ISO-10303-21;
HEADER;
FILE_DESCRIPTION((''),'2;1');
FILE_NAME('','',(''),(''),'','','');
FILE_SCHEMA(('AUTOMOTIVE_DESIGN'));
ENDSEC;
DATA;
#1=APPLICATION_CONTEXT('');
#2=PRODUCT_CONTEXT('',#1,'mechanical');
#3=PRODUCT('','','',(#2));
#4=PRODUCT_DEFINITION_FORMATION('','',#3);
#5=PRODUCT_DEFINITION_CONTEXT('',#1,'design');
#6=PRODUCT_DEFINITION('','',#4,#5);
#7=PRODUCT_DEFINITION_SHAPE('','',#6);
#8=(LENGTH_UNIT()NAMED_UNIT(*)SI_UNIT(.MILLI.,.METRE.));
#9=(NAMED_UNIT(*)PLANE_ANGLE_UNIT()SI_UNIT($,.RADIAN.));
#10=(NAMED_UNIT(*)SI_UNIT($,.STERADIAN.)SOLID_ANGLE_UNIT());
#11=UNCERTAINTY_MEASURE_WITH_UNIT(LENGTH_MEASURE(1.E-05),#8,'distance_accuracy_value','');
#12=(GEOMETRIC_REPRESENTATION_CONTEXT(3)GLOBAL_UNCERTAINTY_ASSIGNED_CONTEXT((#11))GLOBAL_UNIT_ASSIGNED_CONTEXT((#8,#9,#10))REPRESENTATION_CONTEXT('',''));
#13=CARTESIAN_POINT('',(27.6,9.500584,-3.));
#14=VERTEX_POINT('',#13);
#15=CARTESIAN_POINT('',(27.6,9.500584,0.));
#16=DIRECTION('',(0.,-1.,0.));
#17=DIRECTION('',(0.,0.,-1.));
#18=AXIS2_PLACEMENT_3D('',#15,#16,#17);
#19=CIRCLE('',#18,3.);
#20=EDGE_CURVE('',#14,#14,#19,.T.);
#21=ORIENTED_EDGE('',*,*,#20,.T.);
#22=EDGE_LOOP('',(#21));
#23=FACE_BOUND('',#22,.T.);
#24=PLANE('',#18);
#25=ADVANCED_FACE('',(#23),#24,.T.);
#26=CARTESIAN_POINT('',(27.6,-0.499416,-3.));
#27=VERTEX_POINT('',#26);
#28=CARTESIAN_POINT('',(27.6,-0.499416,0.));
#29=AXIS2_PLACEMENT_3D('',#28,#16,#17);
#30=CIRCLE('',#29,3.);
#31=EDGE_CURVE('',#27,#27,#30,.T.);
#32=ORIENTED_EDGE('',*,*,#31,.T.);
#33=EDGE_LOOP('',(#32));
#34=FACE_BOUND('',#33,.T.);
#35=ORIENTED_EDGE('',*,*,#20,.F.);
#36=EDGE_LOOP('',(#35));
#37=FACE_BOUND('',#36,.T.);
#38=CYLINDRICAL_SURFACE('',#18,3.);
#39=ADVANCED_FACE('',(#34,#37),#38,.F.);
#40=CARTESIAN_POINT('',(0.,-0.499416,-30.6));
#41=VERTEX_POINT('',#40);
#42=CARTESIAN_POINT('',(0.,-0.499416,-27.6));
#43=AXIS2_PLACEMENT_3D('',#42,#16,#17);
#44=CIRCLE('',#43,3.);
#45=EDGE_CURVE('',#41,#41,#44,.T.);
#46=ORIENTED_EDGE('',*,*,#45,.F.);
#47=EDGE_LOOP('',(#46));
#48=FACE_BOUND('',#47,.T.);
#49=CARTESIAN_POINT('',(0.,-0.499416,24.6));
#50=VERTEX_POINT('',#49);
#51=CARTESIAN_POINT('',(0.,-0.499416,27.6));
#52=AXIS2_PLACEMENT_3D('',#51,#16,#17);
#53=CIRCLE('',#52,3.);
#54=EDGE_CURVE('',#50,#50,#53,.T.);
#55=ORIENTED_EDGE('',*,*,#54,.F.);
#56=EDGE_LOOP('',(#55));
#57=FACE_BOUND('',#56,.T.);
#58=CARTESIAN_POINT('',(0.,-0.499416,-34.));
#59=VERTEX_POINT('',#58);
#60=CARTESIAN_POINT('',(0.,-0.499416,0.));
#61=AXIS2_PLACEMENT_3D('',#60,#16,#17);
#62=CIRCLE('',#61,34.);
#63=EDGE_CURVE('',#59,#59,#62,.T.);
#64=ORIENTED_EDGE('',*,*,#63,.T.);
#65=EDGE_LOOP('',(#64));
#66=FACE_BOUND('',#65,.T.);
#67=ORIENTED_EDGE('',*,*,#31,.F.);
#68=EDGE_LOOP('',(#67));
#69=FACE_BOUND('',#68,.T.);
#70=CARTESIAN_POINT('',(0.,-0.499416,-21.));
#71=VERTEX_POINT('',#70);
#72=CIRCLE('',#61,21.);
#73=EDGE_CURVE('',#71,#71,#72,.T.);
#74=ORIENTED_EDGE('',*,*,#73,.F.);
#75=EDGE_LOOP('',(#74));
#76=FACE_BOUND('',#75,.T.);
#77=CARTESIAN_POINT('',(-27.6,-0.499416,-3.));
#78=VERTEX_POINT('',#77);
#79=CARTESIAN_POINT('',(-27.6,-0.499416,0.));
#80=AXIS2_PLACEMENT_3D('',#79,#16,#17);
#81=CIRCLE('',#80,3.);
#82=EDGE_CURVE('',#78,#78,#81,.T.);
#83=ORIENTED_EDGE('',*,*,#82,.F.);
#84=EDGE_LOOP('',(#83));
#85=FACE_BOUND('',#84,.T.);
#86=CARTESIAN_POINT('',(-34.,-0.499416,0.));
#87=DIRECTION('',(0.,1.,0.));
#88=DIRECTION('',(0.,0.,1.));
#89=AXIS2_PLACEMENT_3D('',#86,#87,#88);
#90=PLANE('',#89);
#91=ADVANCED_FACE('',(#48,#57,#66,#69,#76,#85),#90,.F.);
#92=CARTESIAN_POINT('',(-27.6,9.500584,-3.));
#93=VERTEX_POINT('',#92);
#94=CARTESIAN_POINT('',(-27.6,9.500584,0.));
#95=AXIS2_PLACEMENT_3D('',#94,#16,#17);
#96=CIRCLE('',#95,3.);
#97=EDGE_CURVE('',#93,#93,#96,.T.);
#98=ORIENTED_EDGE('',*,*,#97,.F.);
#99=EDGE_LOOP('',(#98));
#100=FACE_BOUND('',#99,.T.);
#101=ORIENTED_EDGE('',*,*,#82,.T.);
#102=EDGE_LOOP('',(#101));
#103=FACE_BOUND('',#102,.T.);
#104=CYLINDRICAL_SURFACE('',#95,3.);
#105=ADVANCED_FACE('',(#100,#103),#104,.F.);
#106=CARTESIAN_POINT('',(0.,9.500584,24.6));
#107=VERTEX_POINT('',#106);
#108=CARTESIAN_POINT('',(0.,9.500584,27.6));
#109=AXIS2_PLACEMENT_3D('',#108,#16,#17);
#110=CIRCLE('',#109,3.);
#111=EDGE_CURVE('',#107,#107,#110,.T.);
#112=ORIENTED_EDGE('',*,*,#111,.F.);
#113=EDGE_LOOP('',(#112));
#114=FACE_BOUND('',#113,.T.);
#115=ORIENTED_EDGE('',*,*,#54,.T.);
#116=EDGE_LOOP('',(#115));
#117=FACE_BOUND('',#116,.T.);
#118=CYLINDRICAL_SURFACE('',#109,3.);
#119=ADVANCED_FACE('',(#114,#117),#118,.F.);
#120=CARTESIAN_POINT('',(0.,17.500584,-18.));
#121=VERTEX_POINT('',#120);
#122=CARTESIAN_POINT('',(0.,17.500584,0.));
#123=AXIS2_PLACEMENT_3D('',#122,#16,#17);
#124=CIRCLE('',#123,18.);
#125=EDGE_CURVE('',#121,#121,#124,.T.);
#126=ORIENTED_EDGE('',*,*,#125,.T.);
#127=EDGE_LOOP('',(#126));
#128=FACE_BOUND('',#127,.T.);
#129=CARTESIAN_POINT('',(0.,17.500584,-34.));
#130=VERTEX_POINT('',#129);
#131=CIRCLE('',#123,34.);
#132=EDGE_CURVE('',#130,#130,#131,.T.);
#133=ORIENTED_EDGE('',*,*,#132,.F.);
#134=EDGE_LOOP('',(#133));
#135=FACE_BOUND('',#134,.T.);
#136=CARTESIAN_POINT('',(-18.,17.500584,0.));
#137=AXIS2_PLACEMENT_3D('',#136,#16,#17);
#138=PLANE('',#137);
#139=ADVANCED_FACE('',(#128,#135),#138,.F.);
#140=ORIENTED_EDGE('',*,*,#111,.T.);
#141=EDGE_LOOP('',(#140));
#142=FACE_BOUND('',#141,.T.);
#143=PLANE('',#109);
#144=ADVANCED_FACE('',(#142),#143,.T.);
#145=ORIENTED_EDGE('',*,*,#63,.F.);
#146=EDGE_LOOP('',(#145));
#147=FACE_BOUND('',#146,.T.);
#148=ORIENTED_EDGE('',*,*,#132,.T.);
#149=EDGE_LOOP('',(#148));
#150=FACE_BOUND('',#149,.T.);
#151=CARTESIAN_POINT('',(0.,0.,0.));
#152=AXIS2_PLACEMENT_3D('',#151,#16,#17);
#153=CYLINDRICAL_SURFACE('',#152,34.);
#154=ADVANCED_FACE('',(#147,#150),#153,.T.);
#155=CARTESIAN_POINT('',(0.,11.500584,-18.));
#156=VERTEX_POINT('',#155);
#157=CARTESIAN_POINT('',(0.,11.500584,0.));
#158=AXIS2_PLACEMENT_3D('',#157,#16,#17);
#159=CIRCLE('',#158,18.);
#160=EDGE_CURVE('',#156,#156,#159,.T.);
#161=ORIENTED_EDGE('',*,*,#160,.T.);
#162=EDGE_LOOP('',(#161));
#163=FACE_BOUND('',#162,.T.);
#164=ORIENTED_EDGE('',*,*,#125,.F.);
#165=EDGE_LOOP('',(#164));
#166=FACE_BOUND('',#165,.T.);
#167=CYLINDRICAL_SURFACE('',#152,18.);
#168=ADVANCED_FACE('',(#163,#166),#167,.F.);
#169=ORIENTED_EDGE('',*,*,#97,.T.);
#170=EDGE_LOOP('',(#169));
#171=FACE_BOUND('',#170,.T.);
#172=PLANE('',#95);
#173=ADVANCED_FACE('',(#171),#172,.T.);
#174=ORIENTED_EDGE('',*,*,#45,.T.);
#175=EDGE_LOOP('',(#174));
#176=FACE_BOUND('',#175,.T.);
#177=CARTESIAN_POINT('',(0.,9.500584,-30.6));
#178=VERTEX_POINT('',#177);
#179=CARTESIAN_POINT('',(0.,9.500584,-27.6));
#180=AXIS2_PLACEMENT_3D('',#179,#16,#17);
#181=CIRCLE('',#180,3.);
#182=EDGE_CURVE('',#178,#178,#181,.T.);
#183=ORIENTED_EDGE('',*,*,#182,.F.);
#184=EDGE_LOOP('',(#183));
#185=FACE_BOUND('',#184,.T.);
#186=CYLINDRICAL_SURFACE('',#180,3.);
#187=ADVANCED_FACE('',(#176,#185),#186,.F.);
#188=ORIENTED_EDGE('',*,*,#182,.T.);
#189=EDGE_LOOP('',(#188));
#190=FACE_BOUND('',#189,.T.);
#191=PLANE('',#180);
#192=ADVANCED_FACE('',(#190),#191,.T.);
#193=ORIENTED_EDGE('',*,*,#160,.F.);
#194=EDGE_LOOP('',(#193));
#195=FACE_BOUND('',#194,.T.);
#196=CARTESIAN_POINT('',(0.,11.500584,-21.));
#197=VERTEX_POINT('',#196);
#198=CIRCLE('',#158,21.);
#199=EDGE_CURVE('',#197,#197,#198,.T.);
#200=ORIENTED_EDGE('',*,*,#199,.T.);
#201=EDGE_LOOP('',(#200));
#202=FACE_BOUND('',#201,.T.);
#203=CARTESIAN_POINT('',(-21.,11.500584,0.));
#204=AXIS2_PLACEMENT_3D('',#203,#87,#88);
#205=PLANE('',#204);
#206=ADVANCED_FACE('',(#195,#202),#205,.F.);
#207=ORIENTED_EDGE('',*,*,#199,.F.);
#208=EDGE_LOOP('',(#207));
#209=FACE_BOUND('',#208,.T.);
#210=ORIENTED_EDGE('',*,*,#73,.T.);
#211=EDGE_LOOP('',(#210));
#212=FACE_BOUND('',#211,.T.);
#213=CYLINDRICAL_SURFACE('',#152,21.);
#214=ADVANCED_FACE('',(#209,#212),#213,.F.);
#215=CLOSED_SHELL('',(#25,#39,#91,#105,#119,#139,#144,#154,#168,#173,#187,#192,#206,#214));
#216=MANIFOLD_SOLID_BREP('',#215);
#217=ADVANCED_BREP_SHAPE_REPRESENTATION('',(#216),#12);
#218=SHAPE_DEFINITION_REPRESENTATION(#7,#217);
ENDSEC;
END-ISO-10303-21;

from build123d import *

# Parameters (mm, degrees)
CROQUIS4_R            = 3
CORTAR_EXTRUIR2_DEPTH = 10


with BuildPart() as part:
    # Croquis3 → Revolución1 (revolve)
    with BuildSketch(Plane.XY, mode=Mode.PRIVATE) as revoluci_n1_sk:
        Polygon((-18, 17.500583769), (-34, 17.500583769), (-34, -0.499416231), (-21, -0.499416231), (-21, 11.500583769), (-18, 11.500583769), align=None)
    revolve(revoluci_n1_sk.sketch.rotate(Axis((0, 0, 0), (0, 1, 0)), 270), axis=Axis((0, 0, 0), (0, 1, 0)))

    # Croquis4 → Cortar-Extruir2 (cut)
    with BuildSketch(Plane.XZ.offset(0.499416231)):
        with Locations(Location((0, 27.6, 0), (0, 0, 270))):
            Circle(CROQUIS4_R)
        with Locations(Location((27.6, 0, 0), (0, 0, 270))):
            Circle(CROQUIS4_R)
        with Locations(Location((0, -27.6, 0), (0, 0, 270))):
            Circle(CROQUIS4_R)
        with Locations(Location((-27.6, 0, 0), (0, 0, 270))):
            Circle(CROQUIS4_R)
    extrude(amount=-CORTAR_EXTRUIR2_DEPTH, mode=Mode.SUBTRACT)


solid = part.part
